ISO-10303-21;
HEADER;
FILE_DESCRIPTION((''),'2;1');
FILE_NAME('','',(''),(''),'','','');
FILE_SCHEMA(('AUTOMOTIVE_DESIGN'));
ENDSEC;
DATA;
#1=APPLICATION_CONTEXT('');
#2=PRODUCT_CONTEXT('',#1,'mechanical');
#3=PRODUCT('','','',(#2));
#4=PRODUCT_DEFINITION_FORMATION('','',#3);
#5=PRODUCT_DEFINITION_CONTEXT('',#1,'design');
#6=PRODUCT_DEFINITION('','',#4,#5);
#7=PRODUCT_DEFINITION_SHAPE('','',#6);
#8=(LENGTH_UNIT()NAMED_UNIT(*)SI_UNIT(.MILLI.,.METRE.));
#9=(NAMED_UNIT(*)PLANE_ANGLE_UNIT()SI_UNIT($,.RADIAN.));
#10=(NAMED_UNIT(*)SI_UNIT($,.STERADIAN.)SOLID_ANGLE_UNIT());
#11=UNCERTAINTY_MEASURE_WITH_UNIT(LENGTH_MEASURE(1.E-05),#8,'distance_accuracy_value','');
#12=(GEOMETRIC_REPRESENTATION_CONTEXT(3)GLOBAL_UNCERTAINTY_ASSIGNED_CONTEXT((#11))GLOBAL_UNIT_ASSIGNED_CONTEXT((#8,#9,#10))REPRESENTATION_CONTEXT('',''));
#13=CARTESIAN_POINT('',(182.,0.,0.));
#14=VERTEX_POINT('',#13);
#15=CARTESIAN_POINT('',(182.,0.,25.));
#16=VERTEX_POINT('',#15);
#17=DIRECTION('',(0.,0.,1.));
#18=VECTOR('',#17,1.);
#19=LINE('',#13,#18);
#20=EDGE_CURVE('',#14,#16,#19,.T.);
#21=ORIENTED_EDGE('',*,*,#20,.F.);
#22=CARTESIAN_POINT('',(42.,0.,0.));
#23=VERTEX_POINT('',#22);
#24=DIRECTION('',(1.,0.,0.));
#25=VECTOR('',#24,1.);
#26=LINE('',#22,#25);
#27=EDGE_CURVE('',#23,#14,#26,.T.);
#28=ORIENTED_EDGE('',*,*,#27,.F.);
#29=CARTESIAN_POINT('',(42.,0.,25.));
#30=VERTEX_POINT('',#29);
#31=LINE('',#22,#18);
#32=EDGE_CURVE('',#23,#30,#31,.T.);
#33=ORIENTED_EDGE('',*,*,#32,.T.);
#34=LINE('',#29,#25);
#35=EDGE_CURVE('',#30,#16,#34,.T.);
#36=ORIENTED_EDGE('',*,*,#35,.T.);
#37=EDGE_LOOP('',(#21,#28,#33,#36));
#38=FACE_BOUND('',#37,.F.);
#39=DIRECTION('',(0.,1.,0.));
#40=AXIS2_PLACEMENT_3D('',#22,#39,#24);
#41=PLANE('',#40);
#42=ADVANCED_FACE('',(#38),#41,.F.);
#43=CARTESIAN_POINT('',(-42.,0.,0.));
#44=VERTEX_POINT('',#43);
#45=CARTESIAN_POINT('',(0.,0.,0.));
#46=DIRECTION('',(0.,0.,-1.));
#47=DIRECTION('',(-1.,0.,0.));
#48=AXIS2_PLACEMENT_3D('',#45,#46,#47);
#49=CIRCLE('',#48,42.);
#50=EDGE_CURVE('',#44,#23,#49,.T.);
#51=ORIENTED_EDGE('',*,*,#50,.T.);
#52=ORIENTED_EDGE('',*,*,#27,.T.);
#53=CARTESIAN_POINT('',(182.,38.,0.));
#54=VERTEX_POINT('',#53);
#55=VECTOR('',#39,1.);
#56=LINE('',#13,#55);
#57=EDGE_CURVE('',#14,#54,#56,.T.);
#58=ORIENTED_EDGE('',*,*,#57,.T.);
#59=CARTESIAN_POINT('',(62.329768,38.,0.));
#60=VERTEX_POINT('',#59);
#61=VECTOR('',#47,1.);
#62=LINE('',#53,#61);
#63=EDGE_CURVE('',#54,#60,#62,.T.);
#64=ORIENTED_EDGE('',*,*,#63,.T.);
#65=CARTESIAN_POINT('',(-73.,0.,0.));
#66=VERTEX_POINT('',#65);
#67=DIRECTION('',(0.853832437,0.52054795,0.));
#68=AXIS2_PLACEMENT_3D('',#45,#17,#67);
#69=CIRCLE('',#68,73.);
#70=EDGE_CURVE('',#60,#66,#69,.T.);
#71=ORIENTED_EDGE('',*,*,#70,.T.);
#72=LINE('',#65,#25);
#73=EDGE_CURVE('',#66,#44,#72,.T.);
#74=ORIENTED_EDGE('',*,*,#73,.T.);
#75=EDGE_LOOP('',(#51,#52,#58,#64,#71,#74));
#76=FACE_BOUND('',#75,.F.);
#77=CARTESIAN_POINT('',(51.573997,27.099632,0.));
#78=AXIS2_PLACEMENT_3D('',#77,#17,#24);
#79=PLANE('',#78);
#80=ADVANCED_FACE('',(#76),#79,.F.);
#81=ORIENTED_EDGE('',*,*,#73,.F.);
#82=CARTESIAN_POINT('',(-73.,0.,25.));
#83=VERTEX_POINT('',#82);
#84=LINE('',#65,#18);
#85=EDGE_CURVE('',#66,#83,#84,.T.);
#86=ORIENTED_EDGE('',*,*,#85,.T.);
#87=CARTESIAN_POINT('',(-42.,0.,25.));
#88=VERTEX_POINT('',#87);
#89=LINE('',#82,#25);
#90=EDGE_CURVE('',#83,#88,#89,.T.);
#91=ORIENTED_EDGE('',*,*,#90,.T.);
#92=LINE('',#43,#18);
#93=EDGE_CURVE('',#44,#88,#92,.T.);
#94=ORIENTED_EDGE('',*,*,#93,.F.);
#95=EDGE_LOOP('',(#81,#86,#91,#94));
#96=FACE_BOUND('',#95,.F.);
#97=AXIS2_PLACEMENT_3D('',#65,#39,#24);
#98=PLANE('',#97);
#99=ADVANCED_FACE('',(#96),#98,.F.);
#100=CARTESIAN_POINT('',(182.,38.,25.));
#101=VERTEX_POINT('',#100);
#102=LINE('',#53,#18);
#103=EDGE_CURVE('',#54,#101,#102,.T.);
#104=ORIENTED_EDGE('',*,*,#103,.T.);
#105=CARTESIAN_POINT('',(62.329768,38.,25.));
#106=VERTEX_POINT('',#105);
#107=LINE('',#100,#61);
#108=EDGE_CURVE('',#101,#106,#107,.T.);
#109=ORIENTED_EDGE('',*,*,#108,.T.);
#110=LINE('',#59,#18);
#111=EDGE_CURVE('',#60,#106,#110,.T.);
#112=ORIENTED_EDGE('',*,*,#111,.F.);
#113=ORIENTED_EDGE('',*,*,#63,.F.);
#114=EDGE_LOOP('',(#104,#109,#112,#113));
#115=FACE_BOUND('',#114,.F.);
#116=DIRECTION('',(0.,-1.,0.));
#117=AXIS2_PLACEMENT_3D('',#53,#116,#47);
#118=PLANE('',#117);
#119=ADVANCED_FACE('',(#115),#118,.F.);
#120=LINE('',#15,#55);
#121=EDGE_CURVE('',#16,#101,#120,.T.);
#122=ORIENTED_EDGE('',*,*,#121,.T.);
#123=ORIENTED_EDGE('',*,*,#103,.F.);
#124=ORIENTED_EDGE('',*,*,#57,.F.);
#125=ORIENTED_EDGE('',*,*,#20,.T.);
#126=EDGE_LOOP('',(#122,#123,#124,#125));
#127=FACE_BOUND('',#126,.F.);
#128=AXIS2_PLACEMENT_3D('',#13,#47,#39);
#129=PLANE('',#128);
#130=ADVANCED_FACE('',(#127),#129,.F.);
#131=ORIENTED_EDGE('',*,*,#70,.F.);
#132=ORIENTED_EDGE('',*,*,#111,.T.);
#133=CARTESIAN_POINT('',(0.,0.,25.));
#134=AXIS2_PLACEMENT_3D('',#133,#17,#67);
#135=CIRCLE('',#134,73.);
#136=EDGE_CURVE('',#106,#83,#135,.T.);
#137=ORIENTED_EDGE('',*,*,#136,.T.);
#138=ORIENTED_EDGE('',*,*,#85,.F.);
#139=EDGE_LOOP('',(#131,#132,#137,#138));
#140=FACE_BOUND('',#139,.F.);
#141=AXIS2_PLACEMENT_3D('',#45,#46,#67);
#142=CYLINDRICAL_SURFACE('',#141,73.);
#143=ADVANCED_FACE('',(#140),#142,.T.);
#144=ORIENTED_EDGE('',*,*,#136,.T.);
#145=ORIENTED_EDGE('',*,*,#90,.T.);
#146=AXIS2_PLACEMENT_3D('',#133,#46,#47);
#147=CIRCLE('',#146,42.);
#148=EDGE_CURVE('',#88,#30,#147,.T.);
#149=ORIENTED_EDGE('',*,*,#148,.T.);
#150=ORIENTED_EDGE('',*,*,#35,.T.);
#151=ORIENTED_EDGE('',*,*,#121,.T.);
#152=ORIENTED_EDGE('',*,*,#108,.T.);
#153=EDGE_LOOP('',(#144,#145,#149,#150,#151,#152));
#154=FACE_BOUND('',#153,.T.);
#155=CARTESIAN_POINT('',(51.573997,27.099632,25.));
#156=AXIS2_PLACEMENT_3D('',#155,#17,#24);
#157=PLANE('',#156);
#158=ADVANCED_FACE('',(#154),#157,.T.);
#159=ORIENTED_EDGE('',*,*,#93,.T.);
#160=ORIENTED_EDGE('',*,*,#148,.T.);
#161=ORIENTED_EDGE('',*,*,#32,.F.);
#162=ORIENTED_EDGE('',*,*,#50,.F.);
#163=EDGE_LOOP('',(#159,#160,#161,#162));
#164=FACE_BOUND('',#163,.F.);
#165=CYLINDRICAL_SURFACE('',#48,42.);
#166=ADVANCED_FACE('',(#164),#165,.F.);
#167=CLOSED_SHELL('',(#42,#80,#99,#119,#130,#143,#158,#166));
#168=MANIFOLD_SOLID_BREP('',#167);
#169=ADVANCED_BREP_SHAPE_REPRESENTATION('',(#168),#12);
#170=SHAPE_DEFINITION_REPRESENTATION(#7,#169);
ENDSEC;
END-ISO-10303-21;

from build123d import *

# Parameters (mm, degrees)
F1_DEPTH = 25


with BuildPart() as f1:
    # F0 (on Top) → F1 (new body)
    with BuildSketch(Plane.XY):
        with BuildLine():
            ThreePointArc((-42, 0), (0, 42), (42, 0))
            Line((42, 0), (62.329768, 0))
            Line((62.329768, 0), (73, 0))
            Line((73, 0), (182, 0))
            Line((182, 0), (182, 38))
            Line((182, 38), (62.329768, 38))
            ThreePointArc((62.329768, 38), (-19.734829, 70.281836), (-73, 0))
            Line((-73, 0), (-42, 0))
        make_face()
    extrude(amount=F1_DEPTH)


solid = f1.part
